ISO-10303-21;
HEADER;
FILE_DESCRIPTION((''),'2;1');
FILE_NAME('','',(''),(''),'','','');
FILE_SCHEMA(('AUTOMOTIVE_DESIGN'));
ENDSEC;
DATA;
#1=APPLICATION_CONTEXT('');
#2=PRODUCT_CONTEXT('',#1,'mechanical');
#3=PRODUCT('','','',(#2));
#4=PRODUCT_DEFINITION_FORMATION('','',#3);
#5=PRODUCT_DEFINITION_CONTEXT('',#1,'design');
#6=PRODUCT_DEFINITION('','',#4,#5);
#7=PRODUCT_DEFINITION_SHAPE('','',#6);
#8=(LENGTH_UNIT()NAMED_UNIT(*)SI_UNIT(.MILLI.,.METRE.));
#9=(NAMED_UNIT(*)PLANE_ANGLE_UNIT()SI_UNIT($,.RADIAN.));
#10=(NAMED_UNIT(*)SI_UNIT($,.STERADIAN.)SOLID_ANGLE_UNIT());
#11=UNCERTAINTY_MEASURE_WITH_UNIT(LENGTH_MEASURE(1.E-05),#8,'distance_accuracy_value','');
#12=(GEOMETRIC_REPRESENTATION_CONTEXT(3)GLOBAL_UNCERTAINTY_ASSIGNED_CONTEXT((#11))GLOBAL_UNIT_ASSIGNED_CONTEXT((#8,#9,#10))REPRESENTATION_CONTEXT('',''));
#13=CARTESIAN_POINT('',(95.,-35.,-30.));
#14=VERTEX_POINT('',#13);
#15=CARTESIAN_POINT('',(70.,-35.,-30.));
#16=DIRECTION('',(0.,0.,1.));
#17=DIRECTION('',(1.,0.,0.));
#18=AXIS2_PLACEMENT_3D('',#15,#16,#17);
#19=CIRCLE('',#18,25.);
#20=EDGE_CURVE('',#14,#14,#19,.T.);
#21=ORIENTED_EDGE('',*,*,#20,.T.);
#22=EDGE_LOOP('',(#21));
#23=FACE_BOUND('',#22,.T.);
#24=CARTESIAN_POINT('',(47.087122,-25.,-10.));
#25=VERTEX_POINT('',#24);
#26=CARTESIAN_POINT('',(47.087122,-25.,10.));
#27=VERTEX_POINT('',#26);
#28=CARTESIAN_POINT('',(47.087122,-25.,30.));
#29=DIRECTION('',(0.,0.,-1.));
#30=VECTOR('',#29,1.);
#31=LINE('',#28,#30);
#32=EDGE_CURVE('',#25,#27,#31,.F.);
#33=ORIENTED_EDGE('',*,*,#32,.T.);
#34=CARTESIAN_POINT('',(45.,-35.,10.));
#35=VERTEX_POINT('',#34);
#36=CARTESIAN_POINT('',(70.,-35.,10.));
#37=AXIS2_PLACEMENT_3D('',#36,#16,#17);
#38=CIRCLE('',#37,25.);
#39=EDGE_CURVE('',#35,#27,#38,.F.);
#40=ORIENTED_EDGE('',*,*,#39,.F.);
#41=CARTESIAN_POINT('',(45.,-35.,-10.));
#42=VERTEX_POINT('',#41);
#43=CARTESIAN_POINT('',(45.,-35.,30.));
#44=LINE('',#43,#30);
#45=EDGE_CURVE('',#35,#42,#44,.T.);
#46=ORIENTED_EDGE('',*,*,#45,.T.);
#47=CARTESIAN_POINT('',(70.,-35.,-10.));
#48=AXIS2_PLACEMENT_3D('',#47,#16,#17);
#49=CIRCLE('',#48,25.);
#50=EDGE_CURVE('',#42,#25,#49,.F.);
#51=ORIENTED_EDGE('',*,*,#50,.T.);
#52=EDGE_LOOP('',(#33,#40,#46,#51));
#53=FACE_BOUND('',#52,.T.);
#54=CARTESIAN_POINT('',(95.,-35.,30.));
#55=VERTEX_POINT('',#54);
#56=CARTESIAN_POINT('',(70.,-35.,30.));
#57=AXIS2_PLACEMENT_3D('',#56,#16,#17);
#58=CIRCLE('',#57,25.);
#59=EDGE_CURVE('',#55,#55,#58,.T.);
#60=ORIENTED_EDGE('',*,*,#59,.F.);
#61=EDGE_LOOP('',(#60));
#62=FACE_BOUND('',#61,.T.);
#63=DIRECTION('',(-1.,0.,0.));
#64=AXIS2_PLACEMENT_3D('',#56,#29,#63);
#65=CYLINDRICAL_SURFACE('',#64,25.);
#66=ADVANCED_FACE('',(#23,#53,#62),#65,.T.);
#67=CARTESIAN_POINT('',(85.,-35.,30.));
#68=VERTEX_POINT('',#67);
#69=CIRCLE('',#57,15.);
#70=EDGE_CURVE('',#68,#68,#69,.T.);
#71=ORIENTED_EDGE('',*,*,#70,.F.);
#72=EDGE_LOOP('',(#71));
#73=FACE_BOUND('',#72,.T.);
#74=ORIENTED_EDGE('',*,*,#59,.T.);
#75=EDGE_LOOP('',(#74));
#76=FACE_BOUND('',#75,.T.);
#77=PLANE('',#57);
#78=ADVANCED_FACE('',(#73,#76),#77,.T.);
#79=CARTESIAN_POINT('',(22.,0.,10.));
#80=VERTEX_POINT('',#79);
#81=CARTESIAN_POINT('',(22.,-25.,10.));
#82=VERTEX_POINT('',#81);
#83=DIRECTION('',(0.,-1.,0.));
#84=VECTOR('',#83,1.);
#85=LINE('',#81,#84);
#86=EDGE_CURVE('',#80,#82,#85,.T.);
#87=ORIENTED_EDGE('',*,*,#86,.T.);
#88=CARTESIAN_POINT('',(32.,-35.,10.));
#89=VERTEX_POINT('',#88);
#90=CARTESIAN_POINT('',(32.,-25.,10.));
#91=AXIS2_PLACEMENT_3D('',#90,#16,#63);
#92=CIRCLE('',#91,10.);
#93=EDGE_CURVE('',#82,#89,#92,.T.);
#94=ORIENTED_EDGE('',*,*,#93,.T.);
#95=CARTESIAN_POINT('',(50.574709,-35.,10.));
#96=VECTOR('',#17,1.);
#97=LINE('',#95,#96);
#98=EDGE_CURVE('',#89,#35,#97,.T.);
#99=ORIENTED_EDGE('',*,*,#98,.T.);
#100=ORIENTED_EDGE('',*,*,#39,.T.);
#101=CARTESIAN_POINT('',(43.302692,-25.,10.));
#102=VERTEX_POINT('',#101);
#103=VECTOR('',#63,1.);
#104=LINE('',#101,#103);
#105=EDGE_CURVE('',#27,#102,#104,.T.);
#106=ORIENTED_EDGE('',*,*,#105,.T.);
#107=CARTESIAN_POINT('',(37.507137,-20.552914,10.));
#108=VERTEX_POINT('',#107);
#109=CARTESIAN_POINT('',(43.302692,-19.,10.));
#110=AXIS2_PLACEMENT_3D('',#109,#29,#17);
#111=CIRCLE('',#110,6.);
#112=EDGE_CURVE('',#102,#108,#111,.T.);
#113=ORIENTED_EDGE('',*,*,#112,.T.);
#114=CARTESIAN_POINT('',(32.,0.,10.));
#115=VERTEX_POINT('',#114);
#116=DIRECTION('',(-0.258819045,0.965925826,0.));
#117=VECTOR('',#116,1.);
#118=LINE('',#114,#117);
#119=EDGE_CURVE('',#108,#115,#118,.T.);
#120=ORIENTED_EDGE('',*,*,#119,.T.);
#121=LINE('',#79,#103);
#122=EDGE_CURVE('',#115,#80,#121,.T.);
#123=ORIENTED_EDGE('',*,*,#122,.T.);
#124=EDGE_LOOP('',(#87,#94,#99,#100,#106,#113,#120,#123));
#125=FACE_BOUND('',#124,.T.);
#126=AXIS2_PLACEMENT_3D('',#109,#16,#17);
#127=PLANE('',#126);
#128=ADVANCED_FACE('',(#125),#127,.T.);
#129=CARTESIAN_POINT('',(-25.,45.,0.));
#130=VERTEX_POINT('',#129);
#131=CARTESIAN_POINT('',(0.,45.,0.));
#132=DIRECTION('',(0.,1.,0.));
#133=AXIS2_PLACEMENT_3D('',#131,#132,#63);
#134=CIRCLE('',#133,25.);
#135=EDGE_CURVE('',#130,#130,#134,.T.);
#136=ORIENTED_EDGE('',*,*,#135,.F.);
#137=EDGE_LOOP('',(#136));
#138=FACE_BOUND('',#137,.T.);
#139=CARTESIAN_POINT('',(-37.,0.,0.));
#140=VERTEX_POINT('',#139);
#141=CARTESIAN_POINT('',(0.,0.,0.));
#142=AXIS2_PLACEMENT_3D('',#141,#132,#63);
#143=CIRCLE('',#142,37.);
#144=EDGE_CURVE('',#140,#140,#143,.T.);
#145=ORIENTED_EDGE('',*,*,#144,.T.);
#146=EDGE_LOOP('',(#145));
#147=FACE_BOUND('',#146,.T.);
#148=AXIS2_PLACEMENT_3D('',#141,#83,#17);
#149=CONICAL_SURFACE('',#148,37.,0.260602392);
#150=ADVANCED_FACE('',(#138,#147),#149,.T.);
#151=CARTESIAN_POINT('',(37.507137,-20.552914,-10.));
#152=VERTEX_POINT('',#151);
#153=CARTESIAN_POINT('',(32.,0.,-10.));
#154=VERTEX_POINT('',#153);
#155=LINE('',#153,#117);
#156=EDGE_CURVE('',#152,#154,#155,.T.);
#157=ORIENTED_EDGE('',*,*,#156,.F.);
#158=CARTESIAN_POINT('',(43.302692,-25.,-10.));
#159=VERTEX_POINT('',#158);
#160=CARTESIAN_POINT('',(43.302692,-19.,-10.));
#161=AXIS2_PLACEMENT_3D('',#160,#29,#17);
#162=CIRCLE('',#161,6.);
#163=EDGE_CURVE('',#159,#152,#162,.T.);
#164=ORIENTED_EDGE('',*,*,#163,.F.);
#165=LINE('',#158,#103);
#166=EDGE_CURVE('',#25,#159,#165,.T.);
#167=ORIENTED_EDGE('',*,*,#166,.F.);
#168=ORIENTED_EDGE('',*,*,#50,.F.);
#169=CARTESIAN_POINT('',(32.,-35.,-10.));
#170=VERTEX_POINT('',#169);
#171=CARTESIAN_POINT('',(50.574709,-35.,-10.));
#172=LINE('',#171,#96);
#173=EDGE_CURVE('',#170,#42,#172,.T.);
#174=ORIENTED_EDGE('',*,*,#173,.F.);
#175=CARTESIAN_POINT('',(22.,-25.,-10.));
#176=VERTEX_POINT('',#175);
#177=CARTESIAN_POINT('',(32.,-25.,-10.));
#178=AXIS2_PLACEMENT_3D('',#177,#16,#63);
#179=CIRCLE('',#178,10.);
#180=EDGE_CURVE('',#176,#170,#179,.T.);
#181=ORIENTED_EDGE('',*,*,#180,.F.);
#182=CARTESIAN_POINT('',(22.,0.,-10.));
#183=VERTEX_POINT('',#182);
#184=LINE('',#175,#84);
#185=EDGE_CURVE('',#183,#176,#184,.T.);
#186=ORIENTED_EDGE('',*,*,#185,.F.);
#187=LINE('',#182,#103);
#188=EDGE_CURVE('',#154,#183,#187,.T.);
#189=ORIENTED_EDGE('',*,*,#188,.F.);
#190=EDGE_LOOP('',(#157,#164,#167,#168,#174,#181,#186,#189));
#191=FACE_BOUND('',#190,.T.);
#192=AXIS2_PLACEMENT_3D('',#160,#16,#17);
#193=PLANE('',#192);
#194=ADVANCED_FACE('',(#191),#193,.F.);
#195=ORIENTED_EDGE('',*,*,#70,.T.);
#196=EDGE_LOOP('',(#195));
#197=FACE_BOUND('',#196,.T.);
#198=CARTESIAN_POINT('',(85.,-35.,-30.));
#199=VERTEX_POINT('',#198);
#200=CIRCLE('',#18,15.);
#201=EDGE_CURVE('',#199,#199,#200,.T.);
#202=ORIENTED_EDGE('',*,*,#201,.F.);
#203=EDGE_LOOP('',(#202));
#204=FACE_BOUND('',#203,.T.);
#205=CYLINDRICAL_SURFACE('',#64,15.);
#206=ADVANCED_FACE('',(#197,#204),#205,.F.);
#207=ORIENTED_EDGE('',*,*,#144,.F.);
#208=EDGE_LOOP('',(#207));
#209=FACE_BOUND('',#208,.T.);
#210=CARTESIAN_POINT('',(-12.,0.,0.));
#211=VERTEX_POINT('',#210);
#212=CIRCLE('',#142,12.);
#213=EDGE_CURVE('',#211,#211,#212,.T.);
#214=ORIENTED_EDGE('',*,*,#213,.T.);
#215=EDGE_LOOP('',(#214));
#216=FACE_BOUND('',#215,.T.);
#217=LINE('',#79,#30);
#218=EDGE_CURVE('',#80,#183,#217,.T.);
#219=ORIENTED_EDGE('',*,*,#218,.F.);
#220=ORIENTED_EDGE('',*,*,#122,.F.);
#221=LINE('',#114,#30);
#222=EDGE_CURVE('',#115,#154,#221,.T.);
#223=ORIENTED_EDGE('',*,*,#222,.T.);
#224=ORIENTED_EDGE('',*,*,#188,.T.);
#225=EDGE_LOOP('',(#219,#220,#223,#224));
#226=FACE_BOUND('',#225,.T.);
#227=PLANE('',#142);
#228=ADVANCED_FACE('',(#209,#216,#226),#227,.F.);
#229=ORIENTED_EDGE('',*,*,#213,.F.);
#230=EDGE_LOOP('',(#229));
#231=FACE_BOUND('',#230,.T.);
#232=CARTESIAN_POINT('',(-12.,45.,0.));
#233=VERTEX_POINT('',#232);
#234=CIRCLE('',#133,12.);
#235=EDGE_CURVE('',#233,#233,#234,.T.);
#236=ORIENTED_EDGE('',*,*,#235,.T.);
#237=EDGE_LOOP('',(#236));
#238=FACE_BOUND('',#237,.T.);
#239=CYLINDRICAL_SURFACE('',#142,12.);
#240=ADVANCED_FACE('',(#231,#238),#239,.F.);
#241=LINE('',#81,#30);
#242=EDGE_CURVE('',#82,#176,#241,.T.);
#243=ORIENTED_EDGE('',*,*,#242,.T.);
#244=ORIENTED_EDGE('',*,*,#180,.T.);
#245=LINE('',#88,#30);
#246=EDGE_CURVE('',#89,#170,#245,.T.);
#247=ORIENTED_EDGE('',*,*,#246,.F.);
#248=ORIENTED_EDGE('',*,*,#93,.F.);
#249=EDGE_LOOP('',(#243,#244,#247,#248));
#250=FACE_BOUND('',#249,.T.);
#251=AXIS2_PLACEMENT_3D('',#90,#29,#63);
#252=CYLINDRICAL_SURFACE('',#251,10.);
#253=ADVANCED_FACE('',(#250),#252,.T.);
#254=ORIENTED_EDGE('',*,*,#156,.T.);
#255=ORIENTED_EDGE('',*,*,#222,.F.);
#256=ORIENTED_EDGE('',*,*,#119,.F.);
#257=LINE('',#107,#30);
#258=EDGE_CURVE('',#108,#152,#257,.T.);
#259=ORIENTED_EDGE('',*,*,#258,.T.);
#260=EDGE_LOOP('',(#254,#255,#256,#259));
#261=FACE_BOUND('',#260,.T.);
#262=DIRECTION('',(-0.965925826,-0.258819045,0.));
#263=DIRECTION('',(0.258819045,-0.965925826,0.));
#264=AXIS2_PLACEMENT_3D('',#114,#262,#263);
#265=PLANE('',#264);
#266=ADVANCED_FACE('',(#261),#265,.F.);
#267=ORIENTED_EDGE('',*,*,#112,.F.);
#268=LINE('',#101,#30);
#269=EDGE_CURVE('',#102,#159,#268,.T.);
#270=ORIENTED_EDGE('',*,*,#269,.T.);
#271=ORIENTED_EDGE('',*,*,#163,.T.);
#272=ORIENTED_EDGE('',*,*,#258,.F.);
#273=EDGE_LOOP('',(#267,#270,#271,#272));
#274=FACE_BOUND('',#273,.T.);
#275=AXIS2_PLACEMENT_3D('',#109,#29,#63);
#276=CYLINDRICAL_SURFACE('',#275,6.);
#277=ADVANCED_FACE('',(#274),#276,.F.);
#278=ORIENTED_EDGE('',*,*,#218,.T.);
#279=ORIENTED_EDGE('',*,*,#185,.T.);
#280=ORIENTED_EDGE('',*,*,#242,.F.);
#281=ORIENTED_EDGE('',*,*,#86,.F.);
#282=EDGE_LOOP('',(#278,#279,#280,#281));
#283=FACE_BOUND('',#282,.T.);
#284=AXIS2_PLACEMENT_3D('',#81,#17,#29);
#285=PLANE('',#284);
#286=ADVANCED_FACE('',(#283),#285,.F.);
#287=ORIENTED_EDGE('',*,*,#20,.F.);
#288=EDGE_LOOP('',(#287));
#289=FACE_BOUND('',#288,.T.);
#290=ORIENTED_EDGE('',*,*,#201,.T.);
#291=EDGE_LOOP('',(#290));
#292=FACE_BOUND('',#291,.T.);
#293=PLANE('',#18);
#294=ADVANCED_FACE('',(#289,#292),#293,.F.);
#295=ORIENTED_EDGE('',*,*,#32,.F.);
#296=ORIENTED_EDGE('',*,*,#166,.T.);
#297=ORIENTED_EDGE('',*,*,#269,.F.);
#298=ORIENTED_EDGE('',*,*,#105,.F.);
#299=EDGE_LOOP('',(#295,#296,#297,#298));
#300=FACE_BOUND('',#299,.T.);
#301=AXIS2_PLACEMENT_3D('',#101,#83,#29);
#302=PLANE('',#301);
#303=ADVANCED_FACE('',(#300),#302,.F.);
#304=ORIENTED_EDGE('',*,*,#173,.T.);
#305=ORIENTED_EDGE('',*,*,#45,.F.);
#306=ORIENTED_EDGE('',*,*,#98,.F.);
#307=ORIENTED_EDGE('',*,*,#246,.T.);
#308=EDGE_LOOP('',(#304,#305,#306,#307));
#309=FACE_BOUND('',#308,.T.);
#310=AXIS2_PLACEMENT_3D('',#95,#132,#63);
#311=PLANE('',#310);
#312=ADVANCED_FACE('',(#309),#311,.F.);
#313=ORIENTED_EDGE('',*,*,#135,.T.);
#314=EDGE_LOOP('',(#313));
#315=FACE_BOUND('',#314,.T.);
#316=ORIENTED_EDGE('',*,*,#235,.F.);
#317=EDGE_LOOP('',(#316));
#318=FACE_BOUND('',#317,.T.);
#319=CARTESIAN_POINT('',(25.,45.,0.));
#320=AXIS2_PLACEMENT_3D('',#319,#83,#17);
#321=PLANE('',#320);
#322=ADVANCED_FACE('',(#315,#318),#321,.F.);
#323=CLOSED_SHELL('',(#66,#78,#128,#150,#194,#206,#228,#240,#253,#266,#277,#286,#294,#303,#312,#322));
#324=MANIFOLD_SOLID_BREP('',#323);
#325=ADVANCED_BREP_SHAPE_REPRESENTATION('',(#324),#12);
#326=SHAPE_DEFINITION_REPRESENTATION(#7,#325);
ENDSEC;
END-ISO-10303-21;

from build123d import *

# Parameters (mm, degrees)
SKETCH2_R           = 12
CUT_EXTRUDE1_DEPTH  = 45
BOSS_EXTRUDE1_DEPTH = 10
SKETCH4_R           = 25
SKETCH4_R_2         = 15
BOSS_EXTRUDE2_DEPTH = 30


with BuildPart() as part:
    # Sketch1 → Revolve1 (revolve)
    with BuildSketch(Plane.XY):
        Polygon((0, 45), (0, 0), (37, 0), (25, 45), align=None)
    revolve(axis=Axis((0, 45, 0), (0, -1, 0)))

    # Sketch2 → Cut-Extrude1 (cut)
    with BuildSketch(Plane(origin=(0, 45, 0), x_dir=(1, 0, 0), z_dir=(0, 1, 0))):
        Circle(SKETCH2_R)
    extrude(amount=-CUT_EXTRUDE1_DEPTH, mode=Mode.SUBTRACT)

    # Sketch3 → Boss-Extrude1 (add, symmetric)
    with BuildSketch(Plane.XY):
        with BuildLine():
            Line((22, 0), (32, 0))
            Line((32, 0), (37.507136781, -20.552914271))
            ThreePointArc((37.507136781, -20.552914271), (39.650123165, -23.760120042), (43.302691739, -25))
            Line((43.302691739, -25), (50.574709256, -25))
            Line((50.574709256, -25), (50.574709256, -35))
            Line((50.574709256, -35), (32, -35))
            ThreePointArc((32, -35), (24.928932188, -32.071067812), (22, -25))
            Line((22, -25), (22, 0))
        make_face()
    extrude(amount=BOSS_EXTRUDE1_DEPTH, both=True)

    # Sketch4 → Boss-Extrude2 (add, symmetric)
    with BuildSketch(Plane.XY):
        with Locations((70, -35)):
            Circle(SKETCH4_R)
        with Locations((70, -35)):
            Circle(SKETCH4_R_2, mode=Mode.SUBTRACT)
    extrude(amount=BOSS_EXTRUDE2_DEPTH, both=True)


solid = part.part
